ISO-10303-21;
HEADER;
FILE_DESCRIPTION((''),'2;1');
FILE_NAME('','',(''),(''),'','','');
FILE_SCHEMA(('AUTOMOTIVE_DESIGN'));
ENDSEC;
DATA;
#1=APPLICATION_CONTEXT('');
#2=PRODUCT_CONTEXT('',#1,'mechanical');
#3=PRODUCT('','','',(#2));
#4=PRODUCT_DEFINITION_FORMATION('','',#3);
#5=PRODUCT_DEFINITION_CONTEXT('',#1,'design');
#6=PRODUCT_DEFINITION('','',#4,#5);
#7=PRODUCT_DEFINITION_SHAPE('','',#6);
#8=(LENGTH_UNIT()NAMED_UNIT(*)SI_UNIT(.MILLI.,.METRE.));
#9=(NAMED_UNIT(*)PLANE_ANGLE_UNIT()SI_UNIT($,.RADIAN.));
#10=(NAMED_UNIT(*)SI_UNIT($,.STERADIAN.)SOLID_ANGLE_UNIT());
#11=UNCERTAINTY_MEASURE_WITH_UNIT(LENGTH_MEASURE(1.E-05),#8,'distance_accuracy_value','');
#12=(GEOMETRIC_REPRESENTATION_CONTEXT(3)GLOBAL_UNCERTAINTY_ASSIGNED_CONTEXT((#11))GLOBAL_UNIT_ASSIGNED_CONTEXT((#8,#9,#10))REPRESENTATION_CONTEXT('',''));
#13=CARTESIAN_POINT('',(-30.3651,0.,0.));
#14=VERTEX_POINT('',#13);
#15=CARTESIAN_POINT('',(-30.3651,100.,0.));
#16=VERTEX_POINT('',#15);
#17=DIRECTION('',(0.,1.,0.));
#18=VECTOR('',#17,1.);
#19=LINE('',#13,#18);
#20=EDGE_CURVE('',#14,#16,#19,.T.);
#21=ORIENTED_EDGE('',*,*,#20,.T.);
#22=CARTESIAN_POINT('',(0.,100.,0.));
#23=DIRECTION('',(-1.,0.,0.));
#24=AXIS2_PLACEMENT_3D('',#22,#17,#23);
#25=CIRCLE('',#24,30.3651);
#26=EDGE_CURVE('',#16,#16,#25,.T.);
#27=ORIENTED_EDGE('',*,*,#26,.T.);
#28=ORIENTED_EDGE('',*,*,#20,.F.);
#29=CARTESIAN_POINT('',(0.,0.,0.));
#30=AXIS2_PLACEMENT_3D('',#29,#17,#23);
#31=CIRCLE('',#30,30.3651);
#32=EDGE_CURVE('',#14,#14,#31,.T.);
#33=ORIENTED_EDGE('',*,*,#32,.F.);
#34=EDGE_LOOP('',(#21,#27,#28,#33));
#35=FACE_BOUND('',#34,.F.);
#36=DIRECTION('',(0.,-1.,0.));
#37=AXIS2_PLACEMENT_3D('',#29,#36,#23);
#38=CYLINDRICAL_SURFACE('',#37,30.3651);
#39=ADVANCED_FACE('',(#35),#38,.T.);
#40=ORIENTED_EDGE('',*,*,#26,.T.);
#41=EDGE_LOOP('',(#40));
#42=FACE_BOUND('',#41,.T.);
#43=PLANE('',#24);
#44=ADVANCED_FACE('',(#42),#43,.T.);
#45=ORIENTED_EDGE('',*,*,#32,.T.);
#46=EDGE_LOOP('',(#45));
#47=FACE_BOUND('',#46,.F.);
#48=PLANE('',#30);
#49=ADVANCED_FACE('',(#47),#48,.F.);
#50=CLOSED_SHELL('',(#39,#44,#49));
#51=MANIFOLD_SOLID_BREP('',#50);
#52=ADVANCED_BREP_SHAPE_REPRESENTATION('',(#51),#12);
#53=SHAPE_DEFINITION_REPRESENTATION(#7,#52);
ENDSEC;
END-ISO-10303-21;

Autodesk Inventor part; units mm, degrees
ref_plane "YZ Plane" through (0, 0, 0) normal (1, 0, 0) x (0, 1, 0)
ref_plane "XZ Plane" through (0, 0, 0) normal (0, 1, 0) x (-1, 0, 0)
ref_plane "XY Plane" through (0, 0, 0) normal (0, 0, 1) x (1, 0, 0)
sketch "Sketch1" plane through (0, 0, 0) normal (0, 1, 0) x (-1, 0, 0)
  circle A0 centre (0, 0) radius 30.3651
  dimension "d0" = 100
extrude "Extrusion1" add sketch "Sketch1" along normal blind 100
properties part number "cobaaa"
